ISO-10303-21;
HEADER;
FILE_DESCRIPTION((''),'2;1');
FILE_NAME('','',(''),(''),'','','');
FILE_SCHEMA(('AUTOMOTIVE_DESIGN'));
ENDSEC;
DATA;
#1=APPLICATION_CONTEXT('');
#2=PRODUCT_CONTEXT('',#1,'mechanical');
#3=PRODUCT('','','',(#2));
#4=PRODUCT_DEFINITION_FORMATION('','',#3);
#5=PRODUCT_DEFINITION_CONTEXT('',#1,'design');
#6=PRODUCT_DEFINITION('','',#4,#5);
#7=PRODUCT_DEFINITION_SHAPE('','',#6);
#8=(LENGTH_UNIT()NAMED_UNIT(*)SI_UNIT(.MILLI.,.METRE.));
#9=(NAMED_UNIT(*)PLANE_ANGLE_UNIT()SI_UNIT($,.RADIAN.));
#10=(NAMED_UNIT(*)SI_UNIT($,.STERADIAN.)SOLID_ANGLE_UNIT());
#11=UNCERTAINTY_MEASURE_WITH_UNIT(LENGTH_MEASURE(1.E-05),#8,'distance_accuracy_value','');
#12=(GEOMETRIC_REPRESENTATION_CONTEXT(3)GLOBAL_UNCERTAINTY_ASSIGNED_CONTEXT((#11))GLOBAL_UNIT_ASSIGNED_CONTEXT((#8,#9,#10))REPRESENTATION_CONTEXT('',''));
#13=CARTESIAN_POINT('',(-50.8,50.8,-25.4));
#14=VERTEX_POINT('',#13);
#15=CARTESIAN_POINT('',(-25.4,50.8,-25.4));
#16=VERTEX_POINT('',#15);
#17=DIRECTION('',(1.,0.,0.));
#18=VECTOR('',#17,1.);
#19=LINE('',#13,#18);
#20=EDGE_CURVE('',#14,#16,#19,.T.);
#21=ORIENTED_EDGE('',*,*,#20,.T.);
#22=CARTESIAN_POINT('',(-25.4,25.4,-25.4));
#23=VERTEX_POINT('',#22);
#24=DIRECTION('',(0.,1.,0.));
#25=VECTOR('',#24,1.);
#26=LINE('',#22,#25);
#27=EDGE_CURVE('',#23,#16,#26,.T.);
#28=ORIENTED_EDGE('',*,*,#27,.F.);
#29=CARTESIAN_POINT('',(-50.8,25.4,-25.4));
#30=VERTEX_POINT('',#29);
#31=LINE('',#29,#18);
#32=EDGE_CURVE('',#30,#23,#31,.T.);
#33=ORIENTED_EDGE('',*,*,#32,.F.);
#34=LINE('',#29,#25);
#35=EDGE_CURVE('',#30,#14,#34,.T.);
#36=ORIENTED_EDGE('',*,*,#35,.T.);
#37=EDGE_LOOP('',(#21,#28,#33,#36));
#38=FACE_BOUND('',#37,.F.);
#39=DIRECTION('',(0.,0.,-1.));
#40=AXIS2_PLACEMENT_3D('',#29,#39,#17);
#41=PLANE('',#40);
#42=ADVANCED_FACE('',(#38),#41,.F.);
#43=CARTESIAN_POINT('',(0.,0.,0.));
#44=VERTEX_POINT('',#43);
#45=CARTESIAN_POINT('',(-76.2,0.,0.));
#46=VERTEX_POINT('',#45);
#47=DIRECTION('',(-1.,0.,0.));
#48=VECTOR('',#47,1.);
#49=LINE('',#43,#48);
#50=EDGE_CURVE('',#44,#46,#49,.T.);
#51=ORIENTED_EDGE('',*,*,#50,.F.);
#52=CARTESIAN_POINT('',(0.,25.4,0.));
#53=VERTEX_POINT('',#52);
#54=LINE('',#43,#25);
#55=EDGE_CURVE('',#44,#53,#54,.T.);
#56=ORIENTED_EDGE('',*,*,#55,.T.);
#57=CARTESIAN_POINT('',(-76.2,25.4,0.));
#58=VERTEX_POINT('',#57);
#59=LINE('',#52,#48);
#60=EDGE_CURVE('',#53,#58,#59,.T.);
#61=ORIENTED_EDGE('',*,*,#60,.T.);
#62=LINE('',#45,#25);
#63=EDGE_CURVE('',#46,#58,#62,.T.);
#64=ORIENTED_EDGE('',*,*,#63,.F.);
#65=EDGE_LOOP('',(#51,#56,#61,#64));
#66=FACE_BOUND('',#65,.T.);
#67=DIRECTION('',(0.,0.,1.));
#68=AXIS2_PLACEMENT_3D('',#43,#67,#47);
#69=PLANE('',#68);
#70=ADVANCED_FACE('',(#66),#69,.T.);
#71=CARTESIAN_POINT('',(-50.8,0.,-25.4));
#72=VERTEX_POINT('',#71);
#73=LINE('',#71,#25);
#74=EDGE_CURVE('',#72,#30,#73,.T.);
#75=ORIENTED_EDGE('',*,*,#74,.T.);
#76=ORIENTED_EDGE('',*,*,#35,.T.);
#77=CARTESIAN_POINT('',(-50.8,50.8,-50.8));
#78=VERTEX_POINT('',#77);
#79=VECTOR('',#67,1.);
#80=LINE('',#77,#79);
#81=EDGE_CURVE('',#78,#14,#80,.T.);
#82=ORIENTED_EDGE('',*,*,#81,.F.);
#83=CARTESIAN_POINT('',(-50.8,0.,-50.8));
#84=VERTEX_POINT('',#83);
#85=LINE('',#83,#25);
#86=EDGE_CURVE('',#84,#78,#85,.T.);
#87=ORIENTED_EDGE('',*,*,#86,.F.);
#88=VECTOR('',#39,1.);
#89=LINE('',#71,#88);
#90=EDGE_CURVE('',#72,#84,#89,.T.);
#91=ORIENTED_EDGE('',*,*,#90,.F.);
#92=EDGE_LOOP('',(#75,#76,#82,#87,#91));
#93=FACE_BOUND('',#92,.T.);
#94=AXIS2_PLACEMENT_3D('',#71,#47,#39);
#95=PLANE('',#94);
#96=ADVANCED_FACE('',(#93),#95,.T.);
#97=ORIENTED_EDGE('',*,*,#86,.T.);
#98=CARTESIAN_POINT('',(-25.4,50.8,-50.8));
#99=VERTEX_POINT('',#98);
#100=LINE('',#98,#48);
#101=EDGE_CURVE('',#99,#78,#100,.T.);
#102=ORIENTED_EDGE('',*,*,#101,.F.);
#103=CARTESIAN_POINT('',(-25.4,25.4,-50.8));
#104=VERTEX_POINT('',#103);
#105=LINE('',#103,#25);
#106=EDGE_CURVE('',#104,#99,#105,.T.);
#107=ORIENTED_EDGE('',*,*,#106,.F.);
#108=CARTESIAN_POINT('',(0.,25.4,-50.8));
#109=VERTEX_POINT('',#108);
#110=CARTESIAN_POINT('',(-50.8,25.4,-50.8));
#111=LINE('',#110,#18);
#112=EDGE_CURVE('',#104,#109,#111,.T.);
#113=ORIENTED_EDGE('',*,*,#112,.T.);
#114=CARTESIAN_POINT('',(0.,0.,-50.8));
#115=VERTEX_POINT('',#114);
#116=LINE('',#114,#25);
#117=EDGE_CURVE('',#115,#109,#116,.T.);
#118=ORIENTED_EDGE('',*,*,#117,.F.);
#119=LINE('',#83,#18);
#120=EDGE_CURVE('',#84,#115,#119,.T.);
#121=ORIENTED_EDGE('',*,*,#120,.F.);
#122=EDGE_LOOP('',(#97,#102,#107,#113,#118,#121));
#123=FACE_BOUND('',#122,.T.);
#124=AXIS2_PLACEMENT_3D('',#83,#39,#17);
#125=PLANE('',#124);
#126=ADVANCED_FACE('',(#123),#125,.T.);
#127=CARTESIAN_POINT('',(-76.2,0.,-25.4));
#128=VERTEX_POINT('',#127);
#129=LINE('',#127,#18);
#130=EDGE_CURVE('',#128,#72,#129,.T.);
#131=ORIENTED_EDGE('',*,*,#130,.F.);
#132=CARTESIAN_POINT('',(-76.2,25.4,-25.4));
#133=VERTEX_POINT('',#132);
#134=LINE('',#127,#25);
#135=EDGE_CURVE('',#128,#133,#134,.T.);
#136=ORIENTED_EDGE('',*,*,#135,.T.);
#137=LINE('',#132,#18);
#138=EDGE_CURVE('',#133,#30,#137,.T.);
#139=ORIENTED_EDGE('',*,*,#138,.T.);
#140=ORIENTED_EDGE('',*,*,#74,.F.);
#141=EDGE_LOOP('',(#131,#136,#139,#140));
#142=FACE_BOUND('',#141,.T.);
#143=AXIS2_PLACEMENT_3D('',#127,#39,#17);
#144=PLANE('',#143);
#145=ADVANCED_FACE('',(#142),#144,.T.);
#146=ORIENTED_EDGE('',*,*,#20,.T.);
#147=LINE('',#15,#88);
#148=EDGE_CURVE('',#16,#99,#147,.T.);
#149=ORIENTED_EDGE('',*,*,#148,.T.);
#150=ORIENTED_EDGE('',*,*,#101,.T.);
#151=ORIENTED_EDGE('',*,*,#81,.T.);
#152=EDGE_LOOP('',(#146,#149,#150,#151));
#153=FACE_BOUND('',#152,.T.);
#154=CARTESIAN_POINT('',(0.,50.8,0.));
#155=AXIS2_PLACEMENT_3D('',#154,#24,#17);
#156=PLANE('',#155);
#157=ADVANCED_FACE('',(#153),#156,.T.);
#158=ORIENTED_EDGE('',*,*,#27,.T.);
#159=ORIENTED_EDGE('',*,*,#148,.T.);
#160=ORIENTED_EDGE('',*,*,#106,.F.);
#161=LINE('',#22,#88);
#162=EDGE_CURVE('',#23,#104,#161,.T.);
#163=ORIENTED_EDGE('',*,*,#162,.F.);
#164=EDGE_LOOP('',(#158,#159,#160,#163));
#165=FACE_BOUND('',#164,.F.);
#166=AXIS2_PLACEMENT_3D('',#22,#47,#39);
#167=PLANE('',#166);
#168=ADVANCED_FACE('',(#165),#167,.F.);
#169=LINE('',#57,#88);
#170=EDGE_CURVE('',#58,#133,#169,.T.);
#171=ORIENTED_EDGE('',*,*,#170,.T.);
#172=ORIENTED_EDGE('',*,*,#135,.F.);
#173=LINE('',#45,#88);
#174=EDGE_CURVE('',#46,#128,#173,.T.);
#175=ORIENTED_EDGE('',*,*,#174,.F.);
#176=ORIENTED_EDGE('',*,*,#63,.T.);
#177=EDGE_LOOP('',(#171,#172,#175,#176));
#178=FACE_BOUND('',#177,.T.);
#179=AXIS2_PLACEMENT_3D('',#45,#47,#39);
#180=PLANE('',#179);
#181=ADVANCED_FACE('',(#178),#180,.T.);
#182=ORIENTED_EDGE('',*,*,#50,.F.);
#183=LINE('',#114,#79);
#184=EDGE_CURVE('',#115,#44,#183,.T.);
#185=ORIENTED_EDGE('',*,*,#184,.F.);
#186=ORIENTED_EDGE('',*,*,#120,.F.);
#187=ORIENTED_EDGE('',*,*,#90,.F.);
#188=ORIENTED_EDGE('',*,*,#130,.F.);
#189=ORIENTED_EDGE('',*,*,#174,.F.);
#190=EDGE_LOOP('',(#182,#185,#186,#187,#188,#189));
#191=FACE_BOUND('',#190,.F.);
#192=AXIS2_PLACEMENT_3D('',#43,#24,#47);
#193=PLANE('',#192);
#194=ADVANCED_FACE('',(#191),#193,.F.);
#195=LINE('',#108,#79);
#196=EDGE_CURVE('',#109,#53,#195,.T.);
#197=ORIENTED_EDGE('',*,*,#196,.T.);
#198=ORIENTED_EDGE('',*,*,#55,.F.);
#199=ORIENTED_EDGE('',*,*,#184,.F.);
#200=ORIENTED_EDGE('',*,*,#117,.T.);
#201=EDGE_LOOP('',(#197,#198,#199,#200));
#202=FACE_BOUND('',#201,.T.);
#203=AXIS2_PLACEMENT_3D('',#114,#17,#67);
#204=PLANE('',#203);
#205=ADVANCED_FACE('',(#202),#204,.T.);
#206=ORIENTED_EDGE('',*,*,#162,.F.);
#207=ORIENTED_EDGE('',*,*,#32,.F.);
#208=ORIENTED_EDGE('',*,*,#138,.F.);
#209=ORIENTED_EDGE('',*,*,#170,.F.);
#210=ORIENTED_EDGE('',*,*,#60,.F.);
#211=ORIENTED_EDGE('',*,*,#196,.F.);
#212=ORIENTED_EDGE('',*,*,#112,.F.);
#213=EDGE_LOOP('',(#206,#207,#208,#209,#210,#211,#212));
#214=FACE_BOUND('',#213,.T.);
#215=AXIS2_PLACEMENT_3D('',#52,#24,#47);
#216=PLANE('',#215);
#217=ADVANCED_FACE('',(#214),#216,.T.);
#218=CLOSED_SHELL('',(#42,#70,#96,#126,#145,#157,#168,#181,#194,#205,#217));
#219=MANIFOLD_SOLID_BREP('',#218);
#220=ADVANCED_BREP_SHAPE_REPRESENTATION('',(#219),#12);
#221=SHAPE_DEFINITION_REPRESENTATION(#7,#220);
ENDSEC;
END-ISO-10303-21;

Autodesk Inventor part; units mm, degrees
ref_plane "YZ Plane" through (0, 0, 0) normal (1, 0, 0) x (0, 1, 0)
ref_plane "XZ Plane" through (0, 0, 0) normal (0, 1, 0) x (-1, 0, 0)
ref_plane "XY Plane" through (0, 0, 0) normal (0, 0, 1) x (1, 0, 0)
sketch "Sketch1" plane through (0, 0, 0) normal (0, 1, 0) x (-1, 0, 0)
  line L0 (0, 0) -> (76.2, 0)
  line L1 (76.2, 0) -> (76.2, -25.4)
  line L2 (76.2, -25.4) -> (50.8, -25.4)
  line L3 (50.8, -25.4) -> (50.8, -50.8)
  line L4 (50.8, -50.8) -> (0, -50.8)
  line L5 (0, -50.8) -> (0, 0)
  dimension "d0" = 76.2
  dimension "d1" = 25.4
  dimension "d2" = 25.4
  dimension "d3" = 25.4
  dimension "d4" = 50.8
extrude "Extrusion1" add sketch "Sketch1" along normal blind 25.4
sketch "Sketch2" plane through (0, 25.4, 0) normal (0, 1, 0) x (1, 0, 0)
  line L0 (-50.8, 25.4) -> (-25.4, 25.4)
  line L1 (-25.4, 25.4) -> (-25.4, 50.8)
  line L2 (-25.4, 50.8) -> (-50.8, 50.8)
  line L3 (-50.8, 50.8) -> (-50.8, 25.4)
  line L4 (-50.8, 50.8) -> (-50.8, 25.4) projected
  point P0 (0, 0)
  dimension "d7" = 25.4
extrude "Extrusion2" add sketch "Sketch2" along normal blind 25.4
properties part number "BluePuzzlePiece"
